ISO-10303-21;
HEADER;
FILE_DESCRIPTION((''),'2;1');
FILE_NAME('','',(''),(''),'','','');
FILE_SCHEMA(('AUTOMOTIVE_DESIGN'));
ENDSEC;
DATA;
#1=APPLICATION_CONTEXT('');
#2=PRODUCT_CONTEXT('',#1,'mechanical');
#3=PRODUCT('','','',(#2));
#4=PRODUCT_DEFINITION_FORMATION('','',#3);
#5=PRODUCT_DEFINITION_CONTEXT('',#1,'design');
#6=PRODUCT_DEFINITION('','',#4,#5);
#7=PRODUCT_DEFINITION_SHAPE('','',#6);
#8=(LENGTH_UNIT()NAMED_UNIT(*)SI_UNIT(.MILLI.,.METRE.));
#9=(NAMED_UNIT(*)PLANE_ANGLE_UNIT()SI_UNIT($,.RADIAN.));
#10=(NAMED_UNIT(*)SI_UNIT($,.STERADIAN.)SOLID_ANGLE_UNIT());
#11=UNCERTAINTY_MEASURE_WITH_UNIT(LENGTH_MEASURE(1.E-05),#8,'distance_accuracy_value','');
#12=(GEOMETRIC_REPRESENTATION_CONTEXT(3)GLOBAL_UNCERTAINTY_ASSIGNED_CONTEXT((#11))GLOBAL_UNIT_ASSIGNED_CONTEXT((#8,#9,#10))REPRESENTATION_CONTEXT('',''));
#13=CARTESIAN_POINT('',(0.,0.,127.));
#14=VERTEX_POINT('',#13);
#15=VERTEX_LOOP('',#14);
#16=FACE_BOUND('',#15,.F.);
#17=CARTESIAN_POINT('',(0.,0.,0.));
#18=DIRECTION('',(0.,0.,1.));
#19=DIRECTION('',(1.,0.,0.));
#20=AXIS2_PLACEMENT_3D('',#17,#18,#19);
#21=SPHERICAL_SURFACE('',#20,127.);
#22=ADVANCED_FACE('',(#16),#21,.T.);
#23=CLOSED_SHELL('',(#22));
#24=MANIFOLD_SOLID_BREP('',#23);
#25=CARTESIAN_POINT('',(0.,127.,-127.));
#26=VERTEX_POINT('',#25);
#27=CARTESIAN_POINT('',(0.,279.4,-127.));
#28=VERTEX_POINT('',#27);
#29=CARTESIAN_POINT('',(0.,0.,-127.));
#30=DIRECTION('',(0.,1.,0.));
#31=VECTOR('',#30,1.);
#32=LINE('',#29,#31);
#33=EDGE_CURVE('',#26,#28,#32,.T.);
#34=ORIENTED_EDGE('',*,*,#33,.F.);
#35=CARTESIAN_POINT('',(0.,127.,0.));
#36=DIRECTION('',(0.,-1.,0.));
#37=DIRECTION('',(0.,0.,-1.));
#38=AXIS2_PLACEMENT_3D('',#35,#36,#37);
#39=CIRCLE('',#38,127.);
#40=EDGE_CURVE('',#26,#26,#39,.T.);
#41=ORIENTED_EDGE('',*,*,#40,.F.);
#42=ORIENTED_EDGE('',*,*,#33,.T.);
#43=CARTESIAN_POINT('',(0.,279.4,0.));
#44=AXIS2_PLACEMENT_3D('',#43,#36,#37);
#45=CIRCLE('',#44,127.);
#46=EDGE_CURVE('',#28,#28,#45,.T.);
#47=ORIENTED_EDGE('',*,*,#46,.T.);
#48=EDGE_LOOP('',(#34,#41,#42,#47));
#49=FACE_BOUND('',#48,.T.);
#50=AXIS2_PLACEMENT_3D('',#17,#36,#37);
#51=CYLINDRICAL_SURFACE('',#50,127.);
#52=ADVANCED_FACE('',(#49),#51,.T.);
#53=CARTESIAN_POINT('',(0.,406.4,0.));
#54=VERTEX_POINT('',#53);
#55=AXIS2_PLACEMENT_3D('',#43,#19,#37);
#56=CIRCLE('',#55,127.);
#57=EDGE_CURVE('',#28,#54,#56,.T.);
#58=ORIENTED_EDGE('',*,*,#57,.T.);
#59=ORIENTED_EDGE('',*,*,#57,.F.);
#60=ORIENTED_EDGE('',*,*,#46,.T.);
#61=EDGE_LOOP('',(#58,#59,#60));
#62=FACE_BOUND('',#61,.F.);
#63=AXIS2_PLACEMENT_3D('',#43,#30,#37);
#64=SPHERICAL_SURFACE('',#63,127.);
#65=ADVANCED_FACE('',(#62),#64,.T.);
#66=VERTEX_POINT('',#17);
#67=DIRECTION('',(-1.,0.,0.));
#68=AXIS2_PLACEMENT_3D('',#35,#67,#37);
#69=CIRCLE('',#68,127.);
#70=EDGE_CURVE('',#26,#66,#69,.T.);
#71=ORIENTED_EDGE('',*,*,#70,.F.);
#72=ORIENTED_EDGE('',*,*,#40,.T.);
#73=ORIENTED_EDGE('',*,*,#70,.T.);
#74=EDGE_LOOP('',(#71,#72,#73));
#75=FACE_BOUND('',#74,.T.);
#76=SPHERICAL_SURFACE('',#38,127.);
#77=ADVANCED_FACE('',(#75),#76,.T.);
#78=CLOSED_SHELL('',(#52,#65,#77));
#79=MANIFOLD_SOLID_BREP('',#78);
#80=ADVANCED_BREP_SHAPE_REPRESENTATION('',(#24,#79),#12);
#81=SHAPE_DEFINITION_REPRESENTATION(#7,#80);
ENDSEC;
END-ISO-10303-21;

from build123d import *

# Parameters (mm, degrees)
F2_DEPTH = 406.4
F3_R     = 127


with BuildPart() as f1:
    # F0 (on Front) → F1 (revolve)
    with BuildSketch(Plane.XZ):
        with BuildLine():
            ThreePointArc((0, -127), (89.8025612107, -89.8025612107), (127, 0))
            ThreePointArc((127, 0), (89.8025612107, 89.8025612107), (0, 127))
            Line((0, 127), (0, -127))
        make_face()
    revolve(axis=Axis((0, 0, 0), (0, 0, -1)))


with BuildPart() as f2:
    # F0 (on Front) → F2 (new body)
    with BuildSketch(Plane.XZ):
        with BuildLine():
            Line((0, -127), (0, 127))
            ThreePointArc((0, 127), (-127, 0), (0, -127))
        make_face()
        with BuildLine():
            ThreePointArc((0, -127), (89.8025612107, -89.8025612107), (127, 0))
            ThreePointArc((127, 0), (89.8025612107, 89.8025612107), (0, 127))
            Line((0, 127), (0, -127))
        make_face()
    extrude(amount=-F2_DEPTH)

    # F3
    f3_edges = [f2.edges().sort_by_distance(p)[0] for p in [
        (0, 0, 127),
        (0, 406.4, 127),
    ]]
    fillet(f3_edges, radius=F3_R)


solid = Compound([f1.part, f2.part])
